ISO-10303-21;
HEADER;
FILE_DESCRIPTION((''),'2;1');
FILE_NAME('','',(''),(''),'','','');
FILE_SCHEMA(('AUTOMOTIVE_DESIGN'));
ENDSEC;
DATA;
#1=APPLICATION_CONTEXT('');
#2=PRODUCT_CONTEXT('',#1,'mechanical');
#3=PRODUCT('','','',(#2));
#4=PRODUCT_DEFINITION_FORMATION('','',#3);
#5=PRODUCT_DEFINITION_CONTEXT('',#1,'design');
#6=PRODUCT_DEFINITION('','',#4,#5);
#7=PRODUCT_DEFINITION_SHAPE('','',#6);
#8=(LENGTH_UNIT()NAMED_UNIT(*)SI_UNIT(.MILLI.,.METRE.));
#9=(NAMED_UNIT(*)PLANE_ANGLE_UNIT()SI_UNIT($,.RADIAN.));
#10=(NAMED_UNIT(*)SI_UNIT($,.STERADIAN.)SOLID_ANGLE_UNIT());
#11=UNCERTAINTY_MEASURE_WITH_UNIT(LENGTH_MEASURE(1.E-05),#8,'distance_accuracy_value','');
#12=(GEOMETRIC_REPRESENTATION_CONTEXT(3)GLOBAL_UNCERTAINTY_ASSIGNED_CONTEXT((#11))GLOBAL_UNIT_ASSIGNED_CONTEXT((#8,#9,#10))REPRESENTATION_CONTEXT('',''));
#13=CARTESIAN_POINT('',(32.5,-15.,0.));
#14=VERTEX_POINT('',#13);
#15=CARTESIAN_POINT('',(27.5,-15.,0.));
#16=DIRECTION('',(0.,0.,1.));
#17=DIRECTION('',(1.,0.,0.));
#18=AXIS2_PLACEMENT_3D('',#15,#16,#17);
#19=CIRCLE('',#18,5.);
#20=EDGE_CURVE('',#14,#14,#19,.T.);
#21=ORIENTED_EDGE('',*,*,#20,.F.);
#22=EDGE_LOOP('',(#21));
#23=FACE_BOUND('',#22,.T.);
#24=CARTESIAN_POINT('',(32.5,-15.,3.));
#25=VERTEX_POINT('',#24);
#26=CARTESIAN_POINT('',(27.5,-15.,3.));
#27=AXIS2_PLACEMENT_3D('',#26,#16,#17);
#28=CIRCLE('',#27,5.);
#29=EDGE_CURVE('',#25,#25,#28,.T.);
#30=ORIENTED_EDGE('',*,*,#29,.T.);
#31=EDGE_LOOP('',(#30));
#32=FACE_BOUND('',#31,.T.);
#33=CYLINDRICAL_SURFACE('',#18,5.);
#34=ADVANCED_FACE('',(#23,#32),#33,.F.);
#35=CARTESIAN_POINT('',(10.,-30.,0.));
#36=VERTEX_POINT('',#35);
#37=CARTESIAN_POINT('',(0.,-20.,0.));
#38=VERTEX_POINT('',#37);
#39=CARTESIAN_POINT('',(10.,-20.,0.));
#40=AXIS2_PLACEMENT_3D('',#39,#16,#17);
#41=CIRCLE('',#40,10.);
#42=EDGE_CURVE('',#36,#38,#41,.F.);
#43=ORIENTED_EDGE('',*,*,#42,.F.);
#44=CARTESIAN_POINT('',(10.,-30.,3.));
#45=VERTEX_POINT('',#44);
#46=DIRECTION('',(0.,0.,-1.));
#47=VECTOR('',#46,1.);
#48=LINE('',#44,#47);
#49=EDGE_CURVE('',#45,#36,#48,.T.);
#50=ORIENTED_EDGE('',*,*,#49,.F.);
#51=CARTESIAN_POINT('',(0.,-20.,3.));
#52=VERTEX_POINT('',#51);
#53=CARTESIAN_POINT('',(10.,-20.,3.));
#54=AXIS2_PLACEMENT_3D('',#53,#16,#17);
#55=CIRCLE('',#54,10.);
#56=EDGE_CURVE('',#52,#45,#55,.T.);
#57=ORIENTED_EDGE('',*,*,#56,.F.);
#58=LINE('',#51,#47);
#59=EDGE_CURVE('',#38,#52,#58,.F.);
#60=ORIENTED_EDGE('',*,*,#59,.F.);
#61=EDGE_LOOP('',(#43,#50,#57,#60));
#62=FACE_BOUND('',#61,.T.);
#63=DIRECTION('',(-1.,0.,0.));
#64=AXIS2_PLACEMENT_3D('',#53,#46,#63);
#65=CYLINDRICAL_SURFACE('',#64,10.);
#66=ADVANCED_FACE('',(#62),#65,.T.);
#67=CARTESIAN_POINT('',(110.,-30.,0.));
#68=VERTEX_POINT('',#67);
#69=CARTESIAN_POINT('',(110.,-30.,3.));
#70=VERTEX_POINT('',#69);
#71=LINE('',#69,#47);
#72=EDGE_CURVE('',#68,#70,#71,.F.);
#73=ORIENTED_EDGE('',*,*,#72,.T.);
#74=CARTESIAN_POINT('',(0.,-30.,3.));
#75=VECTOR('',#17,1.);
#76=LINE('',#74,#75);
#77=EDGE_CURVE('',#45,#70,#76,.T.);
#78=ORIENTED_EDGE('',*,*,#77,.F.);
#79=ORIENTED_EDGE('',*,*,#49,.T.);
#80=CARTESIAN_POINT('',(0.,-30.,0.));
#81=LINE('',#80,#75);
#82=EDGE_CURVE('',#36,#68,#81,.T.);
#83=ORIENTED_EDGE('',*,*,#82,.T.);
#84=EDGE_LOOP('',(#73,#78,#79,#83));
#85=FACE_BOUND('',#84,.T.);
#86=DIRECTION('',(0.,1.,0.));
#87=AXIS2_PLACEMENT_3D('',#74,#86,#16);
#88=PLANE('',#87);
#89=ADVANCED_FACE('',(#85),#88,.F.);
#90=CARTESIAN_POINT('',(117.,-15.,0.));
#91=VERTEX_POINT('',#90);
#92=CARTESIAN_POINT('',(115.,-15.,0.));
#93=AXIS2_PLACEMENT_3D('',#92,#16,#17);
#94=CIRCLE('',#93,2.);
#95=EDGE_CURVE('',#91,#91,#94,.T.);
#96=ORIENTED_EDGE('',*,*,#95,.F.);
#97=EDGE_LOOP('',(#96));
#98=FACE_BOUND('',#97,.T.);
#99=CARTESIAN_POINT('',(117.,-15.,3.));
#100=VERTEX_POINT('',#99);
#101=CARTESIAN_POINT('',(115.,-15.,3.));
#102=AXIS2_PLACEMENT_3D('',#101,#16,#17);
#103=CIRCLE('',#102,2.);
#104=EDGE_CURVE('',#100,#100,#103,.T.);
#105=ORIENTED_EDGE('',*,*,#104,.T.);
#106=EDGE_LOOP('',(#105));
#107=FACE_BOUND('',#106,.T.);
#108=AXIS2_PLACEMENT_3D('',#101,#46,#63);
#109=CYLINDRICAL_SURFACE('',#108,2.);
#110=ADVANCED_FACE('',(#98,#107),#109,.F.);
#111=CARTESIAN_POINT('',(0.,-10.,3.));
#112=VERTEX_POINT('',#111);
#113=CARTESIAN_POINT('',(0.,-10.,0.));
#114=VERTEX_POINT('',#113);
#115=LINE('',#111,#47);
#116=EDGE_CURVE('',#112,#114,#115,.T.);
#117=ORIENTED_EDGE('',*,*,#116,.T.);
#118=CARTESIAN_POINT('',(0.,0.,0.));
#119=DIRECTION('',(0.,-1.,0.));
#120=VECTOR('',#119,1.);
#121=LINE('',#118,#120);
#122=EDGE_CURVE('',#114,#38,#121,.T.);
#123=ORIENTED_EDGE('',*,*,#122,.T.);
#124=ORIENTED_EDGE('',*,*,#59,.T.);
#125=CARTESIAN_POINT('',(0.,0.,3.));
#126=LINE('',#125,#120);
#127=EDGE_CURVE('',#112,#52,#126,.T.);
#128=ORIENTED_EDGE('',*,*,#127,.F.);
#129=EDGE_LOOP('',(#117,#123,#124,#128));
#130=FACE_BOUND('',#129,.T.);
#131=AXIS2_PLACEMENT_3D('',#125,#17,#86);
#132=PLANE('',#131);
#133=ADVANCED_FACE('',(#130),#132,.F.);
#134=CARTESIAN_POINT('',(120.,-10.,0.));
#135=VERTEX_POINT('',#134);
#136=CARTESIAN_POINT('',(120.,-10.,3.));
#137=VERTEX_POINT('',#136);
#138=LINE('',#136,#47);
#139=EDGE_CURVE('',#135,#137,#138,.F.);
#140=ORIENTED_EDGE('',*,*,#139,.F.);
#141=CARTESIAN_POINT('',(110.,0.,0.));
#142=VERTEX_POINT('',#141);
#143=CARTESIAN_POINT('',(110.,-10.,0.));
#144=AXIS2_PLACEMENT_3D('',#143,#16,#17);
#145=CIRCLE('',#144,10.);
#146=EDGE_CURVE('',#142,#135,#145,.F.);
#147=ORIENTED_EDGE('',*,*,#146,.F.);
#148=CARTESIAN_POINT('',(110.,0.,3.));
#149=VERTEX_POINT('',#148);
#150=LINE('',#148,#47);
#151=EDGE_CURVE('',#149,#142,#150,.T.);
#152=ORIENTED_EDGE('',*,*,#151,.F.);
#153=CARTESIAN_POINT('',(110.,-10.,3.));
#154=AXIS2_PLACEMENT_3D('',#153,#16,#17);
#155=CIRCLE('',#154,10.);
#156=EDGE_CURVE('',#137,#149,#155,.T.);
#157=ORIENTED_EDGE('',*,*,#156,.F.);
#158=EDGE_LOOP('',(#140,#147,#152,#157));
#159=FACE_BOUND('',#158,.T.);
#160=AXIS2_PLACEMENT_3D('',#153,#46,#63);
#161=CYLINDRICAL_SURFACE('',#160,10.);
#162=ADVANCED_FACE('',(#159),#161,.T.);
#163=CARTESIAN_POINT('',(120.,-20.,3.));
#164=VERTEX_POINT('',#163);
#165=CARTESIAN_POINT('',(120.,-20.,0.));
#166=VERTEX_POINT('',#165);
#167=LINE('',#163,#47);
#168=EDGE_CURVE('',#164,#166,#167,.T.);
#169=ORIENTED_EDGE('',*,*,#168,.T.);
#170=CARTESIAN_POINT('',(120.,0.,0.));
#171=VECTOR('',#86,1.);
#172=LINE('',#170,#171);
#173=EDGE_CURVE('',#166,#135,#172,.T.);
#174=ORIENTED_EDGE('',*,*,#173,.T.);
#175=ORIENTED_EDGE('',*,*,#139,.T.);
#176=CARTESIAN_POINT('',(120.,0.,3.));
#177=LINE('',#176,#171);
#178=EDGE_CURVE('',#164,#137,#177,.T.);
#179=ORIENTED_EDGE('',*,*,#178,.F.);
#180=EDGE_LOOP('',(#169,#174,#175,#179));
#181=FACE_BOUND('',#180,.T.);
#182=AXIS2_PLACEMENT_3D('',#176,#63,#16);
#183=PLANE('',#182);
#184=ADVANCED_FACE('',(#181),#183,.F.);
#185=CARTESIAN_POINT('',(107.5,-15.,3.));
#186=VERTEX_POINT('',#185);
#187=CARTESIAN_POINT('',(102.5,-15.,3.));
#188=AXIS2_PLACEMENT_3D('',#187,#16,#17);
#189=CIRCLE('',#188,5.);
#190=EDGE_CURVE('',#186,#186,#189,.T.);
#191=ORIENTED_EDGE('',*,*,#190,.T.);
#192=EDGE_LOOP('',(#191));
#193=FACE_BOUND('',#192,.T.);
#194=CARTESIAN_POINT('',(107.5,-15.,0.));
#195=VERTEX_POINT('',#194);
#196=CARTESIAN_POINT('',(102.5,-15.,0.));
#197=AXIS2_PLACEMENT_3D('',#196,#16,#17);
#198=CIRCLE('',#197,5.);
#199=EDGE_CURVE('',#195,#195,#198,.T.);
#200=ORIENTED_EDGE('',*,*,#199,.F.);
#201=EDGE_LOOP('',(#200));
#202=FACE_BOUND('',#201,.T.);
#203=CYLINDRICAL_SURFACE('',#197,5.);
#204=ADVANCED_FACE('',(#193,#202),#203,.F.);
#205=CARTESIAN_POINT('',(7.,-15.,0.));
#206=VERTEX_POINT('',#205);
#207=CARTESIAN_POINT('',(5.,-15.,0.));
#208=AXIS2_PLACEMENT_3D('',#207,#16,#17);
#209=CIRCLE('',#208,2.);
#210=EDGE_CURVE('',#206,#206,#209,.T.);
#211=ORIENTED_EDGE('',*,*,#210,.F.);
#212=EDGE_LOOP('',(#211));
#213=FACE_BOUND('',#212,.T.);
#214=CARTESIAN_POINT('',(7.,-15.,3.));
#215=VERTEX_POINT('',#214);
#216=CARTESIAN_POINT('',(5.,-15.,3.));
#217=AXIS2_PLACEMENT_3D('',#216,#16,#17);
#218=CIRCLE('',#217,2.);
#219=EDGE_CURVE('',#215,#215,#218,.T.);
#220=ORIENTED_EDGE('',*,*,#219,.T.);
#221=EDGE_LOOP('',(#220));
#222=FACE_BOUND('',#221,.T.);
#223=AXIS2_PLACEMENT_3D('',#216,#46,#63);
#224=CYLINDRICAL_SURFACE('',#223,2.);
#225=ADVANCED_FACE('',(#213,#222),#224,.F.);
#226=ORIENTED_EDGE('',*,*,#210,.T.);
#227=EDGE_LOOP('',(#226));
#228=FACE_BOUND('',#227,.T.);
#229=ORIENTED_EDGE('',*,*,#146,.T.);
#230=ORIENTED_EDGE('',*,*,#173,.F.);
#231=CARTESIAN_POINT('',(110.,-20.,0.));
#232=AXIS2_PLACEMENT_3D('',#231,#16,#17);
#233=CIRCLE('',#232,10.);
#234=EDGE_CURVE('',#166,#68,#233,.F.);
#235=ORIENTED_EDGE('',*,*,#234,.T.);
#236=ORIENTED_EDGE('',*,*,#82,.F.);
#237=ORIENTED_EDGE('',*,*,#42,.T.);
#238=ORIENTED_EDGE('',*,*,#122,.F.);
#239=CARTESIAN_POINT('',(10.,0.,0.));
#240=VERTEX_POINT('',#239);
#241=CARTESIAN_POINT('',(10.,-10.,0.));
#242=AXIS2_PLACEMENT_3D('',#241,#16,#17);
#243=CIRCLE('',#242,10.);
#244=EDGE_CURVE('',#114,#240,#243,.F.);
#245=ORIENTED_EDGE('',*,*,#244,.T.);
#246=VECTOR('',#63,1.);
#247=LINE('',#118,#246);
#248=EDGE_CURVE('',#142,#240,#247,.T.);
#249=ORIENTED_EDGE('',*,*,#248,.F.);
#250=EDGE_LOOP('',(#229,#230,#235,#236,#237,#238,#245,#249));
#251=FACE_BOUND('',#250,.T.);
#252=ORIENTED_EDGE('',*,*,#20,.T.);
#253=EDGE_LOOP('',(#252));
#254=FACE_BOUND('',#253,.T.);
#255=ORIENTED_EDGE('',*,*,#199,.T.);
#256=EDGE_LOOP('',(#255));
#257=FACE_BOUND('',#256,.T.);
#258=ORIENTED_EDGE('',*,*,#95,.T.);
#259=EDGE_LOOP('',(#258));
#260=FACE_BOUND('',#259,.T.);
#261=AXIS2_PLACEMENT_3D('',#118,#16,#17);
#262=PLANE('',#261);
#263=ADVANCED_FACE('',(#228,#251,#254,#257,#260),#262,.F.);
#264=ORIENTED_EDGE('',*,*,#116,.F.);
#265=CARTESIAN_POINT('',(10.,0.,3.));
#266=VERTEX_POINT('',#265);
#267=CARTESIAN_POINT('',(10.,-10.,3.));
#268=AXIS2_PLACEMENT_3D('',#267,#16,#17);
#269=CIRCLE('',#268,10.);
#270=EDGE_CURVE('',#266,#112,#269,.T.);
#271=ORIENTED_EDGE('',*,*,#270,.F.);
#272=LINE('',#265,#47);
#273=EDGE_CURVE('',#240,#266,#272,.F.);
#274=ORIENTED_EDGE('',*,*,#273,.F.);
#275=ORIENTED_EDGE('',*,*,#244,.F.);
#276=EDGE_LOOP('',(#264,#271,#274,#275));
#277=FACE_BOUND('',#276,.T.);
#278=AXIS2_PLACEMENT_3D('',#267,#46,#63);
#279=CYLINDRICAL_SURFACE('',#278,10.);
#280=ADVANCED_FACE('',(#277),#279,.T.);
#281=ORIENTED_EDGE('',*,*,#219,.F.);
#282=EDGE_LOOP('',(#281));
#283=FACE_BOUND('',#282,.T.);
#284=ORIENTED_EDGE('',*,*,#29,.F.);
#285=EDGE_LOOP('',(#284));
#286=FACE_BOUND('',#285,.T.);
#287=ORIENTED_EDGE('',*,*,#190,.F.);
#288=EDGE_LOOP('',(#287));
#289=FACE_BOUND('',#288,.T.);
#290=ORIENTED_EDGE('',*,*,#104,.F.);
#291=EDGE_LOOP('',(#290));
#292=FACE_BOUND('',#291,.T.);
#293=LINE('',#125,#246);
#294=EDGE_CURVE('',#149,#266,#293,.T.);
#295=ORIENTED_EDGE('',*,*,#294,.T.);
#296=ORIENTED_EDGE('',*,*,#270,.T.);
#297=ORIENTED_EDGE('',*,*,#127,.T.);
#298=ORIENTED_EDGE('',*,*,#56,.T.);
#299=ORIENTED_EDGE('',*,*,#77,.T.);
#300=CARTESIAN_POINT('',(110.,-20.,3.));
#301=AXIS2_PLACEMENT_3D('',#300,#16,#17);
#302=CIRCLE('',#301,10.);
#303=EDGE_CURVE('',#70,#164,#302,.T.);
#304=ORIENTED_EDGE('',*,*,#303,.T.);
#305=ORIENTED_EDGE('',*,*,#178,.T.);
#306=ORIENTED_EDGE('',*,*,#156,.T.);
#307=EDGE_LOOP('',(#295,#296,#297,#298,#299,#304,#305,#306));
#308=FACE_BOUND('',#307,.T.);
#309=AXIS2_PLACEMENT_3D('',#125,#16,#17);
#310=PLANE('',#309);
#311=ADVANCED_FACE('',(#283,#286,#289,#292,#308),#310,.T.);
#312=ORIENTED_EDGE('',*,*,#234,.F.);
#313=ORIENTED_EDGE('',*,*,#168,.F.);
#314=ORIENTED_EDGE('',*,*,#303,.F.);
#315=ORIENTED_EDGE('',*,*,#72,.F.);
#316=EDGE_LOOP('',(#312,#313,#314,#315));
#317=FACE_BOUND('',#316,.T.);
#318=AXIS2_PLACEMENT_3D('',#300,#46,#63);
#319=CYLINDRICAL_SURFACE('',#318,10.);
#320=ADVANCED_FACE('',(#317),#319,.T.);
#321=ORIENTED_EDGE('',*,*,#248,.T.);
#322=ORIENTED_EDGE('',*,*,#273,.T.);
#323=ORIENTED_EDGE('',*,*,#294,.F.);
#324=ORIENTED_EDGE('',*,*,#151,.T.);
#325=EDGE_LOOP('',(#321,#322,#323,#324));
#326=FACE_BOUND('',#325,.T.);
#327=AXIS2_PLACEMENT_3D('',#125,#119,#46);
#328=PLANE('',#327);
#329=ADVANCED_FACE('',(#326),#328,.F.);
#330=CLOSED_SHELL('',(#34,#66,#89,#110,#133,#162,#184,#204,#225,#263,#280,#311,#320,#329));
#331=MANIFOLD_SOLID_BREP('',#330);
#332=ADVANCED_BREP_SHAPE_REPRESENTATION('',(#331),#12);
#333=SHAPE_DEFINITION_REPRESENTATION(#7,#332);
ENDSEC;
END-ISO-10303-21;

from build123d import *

# Parameters (mm, degrees)
ESQUISSE1_W             = 120
ESQUISSE1_H             = 30
ESQUISSE1_R             = 2
BOSS_EXTRU_1_DEPTH      = 3
CONG_1_R                = 10
ESQUISSE2_R             = 5
ENL_V_MAT_EXTRU_1_DEPTH = 3


with BuildPart() as part:
    # Esquisse1 → Boss.-Extru.1 (new body)
    with BuildSketch(Plane.XY):
        with Locations((60, -15)):
            Rectangle(ESQUISSE1_W, ESQUISSE1_H)
        with Locations((115, -15)):
            Circle(ESQUISSE1_R, mode=Mode.SUBTRACT)
        with Locations((5, -15)):
            Circle(ESQUISSE1_R, mode=Mode.SUBTRACT)
    extrude(amount=BOSS_EXTRU_1_DEPTH)

    # Congé1
    cong_1_edges = [part.edges().sort_by_distance(p)[0] for p in [
        (0, 0, 1.5),
        (120, 0, 1.5),
        (120, -30, 1.5),
        (0, -30, 1.5),
    ]]
    fillet(cong_1_edges, radius=CONG_1_R)

    # Esquisse2 → Enlèv. mat.-Extru.1 (cut)
    with BuildSketch(Plane.XY.offset(3)):
        with Locations((27.5, -15)):
            Circle(ESQUISSE2_R)
        with Locations((102.5, -15)):
            Circle(ESQUISSE2_R)
    extrude(amount=-ENL_V_MAT_EXTRU_1_DEPTH, mode=Mode.SUBTRACT)


solid = part.part
